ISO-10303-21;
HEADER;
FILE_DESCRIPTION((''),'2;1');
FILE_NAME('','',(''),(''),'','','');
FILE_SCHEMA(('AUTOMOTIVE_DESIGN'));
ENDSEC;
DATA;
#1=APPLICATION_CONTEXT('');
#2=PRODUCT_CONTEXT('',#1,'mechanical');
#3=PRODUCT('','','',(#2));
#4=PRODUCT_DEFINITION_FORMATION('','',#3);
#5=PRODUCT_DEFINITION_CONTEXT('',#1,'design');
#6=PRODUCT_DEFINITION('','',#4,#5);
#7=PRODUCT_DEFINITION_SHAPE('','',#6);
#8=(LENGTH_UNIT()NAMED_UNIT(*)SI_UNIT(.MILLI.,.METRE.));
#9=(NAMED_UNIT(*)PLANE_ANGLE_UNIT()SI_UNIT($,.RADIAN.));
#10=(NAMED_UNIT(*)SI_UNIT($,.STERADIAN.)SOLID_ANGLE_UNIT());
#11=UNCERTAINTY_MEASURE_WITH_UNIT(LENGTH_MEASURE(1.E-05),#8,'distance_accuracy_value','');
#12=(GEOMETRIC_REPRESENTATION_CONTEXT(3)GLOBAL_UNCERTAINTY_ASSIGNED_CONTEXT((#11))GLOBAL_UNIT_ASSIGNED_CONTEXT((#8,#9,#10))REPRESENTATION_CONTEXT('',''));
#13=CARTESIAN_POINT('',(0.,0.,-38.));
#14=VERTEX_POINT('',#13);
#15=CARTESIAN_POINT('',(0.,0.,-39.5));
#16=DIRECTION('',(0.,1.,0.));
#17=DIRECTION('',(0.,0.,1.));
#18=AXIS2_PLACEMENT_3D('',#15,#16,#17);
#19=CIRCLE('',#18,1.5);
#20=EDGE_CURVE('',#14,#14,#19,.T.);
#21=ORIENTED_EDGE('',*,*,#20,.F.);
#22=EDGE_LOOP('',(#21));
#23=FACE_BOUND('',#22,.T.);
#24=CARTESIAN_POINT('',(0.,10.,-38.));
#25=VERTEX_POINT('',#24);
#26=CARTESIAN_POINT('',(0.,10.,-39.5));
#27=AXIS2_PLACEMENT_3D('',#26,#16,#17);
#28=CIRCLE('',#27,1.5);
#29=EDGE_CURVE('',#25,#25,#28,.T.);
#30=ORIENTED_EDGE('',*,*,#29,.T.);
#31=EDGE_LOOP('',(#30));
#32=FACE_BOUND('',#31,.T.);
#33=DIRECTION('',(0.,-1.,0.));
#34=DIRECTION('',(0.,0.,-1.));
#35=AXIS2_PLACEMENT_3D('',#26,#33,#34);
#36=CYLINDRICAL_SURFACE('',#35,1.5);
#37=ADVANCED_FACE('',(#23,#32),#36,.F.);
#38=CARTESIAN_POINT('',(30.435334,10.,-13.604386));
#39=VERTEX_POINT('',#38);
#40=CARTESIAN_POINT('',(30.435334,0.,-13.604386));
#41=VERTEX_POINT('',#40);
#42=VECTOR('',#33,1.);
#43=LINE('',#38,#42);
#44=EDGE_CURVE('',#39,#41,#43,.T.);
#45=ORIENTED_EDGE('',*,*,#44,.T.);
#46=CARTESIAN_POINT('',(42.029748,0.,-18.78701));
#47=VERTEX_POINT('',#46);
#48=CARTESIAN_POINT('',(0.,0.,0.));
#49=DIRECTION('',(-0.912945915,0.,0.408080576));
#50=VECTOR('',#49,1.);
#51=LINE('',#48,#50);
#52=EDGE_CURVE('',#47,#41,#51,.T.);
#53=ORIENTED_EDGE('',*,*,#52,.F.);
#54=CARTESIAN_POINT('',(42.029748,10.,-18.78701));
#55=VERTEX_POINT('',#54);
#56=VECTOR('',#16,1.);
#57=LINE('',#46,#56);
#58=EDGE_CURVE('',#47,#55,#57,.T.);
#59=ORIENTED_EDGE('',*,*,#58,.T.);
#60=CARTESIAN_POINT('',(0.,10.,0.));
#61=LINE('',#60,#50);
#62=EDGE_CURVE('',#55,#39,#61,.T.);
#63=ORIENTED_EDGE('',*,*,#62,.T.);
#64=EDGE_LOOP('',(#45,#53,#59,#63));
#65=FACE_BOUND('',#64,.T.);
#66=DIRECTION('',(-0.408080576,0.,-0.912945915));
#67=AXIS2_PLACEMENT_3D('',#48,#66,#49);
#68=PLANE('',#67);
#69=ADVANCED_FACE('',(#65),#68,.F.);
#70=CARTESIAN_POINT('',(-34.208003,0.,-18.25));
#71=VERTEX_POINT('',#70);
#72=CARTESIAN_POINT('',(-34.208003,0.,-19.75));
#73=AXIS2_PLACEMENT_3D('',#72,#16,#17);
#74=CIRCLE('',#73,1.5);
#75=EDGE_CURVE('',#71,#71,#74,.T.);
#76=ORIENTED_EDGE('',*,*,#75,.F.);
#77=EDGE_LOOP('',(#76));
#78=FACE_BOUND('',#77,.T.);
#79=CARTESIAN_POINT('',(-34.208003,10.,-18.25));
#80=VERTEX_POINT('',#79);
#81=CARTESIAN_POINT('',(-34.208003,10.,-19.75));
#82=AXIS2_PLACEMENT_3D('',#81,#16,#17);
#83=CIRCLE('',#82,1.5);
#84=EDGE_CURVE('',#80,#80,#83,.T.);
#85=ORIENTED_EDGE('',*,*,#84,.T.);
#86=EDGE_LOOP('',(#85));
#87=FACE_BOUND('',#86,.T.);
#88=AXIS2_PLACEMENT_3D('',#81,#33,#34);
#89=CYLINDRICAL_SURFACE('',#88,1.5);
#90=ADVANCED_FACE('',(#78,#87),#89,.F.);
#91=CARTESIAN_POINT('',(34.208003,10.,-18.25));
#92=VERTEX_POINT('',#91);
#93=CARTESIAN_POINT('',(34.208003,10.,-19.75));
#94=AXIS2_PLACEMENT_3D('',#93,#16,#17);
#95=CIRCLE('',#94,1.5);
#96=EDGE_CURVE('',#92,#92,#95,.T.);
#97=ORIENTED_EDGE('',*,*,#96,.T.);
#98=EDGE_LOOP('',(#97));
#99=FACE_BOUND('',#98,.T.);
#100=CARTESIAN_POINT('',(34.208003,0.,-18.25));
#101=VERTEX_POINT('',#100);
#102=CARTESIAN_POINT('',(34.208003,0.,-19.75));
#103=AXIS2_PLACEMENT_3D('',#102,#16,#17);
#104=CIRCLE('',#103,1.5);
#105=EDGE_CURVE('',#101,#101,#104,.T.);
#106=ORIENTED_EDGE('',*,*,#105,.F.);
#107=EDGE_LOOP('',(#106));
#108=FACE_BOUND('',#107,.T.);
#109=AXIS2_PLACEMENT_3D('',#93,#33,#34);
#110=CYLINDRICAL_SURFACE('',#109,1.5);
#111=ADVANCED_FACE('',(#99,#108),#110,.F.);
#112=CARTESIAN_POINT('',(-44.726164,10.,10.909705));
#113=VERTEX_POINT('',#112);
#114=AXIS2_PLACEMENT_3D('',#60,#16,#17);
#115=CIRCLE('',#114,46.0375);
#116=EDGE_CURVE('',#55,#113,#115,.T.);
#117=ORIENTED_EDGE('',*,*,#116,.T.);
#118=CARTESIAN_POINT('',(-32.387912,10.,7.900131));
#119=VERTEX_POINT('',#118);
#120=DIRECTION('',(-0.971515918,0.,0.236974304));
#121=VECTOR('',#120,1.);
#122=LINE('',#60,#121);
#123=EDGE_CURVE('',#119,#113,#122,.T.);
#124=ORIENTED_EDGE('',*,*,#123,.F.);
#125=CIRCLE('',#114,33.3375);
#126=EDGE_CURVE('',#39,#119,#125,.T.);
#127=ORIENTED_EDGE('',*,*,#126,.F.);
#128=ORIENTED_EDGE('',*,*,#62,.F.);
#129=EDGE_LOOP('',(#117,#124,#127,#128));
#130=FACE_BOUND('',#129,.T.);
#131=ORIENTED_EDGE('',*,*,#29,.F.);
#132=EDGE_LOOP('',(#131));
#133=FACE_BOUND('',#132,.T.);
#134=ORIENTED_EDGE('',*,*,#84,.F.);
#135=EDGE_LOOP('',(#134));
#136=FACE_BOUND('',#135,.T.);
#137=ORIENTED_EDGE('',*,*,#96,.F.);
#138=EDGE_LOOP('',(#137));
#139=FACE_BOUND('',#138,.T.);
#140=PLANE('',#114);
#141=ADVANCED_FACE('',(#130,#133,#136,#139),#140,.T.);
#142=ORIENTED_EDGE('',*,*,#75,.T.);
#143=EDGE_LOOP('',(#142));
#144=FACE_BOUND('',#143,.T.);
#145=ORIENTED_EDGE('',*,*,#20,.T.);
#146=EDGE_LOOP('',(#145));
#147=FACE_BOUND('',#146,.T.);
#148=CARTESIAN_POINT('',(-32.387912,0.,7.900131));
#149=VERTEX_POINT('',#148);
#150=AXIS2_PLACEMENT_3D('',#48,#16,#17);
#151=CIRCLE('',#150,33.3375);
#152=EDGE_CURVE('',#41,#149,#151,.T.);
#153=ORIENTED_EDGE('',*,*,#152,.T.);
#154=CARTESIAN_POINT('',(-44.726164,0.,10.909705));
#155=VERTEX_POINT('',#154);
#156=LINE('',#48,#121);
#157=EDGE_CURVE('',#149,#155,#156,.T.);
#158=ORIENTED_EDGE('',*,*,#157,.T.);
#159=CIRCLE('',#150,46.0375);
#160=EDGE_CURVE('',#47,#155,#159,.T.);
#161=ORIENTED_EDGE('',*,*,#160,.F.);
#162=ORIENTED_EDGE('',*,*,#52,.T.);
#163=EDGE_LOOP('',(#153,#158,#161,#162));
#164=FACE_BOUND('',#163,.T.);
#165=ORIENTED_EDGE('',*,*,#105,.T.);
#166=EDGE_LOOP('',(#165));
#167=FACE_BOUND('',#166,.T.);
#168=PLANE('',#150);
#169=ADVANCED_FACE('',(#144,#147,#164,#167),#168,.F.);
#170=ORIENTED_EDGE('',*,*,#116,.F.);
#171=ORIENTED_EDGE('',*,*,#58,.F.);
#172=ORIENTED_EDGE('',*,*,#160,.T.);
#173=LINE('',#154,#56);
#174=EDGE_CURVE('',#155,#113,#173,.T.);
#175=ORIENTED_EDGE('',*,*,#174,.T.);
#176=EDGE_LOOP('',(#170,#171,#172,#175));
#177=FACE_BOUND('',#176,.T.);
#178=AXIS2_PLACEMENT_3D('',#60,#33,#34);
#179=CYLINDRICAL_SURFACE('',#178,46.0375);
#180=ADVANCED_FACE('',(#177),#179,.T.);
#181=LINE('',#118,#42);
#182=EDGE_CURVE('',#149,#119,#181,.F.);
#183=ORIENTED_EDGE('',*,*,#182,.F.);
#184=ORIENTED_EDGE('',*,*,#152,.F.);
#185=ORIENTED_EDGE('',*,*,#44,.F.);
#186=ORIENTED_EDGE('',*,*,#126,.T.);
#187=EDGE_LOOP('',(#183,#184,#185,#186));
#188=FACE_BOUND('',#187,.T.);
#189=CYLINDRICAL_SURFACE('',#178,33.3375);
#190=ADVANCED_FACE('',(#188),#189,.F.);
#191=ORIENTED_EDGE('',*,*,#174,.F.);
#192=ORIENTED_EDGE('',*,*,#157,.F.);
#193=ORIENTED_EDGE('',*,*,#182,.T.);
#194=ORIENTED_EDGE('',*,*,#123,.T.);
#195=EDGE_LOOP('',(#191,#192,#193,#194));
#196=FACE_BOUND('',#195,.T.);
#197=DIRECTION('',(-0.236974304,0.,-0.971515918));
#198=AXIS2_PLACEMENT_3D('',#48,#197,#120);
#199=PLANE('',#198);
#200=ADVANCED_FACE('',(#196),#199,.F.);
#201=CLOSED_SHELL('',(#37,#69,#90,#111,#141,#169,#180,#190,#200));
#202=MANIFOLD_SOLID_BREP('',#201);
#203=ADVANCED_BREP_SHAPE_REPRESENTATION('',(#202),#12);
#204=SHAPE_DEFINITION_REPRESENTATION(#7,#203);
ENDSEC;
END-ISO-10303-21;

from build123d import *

# Parameters (mm, degrees)
SKETCH1_R           = 46.0375
SKETCH1_R_2         = 1.5
SKETCH1_R_3         = 33.3375
BOSS_EXTRUDE1_DEPTH = 10
CUT_EXTRUDE1_DEPTH  = 66.870348508


with BuildPart() as part:
    # Sketch1 → Boss-Extrude1 (new body)
    with BuildSketch(Plane(origin=(0, 0, 0), x_dir=(1, 0, 0), z_dir=(0, 1, 0))):
        with Locations(Location((0, 0, 0), (0, 0, 270))):
            Circle(SKETCH1_R)
        with Locations(Location((0, 39.5, 0), (0, 0, 270))):
            Circle(SKETCH1_R_2, mode=Mode.SUBTRACT)
        with Locations(Location((34.208003449, 19.75, 0), (0, 0, 270))):
            Circle(SKETCH1_R_2, mode=Mode.SUBTRACT)
        with Locations(Location((34.208003449, -19.75, 0), (0, 0, 270))):
            Circle(SKETCH1_R_2, mode=Mode.SUBTRACT)
        with Locations(Location((0, -39.5, 0), (0, 0, 270))):
            Circle(SKETCH1_R_2, mode=Mode.SUBTRACT)
        with Locations(Location((-34.208003449, -19.75, 0), (0, 0, 270))):
            Circle(SKETCH1_R_2, mode=Mode.SUBTRACT)
        with Locations(Location((-34.208003449, 19.75, 0), (0, 0, 270))):
            Circle(SKETCH1_R_2, mode=Mode.SUBTRACT)
        with Locations(Location((0, 0, 0), (0, 0, 270))):
            Circle(SKETCH1_R_3, mode=Mode.SUBTRACT)
    extrude(amount=BOSS_EXTRUDE1_DEPTH)

    # Sketch2 → Cut-Extrude1 (cut, through all)
    with BuildSketch(Plane(origin=(0, 10, 0), x_dir=(1, 0, 0), z_dir=(0, 1, 0))):
        with BuildLine():
            Line((0, 0), (-44.72616408, -10.909704529))
            ThreePointArc((-44.72616408, -10.909704529), (14.909439021, -43.556400613), (42.029747553, 18.787009525))
            Line((42.029747553, 18.787009525), (0, 0))
        make_face()
    extrude(amount=-CUT_EXTRUDE1_DEPTH, mode=Mode.SUBTRACT)


solid = part.part
